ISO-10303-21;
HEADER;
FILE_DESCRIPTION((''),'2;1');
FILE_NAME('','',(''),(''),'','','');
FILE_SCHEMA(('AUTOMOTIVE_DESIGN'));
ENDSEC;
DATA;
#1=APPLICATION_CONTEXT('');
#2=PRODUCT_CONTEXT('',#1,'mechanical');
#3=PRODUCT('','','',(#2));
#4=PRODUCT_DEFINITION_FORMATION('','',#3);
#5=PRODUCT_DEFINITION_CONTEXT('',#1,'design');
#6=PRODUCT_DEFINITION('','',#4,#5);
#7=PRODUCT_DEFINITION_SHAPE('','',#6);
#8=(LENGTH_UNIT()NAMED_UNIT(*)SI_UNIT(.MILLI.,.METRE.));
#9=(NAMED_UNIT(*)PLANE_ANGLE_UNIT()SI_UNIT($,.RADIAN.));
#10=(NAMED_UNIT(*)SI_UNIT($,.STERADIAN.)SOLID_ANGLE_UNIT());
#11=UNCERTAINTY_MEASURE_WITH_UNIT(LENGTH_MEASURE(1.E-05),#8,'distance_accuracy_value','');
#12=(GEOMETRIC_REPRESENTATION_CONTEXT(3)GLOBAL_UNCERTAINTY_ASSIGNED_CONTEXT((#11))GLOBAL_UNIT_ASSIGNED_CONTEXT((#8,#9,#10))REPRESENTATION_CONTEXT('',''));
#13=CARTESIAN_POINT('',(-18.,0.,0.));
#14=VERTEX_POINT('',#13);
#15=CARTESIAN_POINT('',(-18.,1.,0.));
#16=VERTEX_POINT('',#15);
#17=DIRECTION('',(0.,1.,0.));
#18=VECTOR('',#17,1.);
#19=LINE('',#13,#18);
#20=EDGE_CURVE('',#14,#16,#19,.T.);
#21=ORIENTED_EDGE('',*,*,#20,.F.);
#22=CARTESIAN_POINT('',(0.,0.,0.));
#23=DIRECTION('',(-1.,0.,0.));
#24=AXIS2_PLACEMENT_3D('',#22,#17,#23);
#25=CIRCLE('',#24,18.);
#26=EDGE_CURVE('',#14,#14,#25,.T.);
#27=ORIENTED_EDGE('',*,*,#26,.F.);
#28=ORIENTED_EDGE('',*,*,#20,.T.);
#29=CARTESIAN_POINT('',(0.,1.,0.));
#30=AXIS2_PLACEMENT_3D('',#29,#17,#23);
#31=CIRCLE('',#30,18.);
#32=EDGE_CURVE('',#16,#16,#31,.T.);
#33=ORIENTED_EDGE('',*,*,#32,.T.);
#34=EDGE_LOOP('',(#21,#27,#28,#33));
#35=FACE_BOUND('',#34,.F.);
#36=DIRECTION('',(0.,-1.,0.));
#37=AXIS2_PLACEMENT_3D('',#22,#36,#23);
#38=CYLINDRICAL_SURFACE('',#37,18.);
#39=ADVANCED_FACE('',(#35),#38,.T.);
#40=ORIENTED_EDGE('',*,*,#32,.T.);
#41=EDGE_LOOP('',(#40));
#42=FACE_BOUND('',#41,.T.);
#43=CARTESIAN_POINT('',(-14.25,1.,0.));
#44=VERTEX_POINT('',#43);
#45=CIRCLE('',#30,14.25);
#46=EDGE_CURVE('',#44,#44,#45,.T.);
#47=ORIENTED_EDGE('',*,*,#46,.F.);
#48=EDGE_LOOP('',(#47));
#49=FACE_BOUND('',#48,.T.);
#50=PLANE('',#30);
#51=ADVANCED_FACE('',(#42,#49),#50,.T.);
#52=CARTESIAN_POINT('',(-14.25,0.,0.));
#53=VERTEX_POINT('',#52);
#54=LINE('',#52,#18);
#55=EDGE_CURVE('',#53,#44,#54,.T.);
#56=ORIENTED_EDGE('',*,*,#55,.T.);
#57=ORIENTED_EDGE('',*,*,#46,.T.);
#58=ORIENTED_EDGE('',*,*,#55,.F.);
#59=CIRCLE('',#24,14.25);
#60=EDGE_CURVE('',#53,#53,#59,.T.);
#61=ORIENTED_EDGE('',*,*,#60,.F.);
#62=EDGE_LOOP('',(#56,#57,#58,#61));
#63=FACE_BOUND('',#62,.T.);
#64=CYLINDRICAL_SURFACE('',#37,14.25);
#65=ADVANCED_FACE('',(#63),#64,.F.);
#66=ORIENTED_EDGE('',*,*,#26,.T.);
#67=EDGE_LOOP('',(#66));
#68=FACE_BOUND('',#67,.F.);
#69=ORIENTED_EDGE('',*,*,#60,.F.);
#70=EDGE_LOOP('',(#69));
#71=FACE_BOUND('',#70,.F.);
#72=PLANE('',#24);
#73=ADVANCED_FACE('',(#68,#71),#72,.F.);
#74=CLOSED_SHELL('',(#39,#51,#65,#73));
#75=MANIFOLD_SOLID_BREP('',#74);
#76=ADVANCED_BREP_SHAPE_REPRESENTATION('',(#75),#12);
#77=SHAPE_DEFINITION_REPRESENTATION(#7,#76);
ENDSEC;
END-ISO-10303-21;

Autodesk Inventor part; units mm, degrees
ref_plane "YZ Plane" through (0, 0, 0) normal (1, 0, 0) x (0, 1, 0)
ref_plane "XZ Plane" through (0, 0, 0) normal (0, 1, 0) x (-1, 0, 0)
ref_plane "XY Plane" through (0, 0, 0) normal (0, 0, 1) x (1, 0, 0)
sketch "Sketch1" plane through (0, 0, 0) normal (0, 1, 0) x (-1, 0, 0)
  circle A0 centre (0, 0) radius 14.25
  circle A1 centre (0, 0) radius 18
  dimension "d0" = 28.5
  dimension "d1" = 36
extrude "Extrusion1" add sketch "Sketch1" along normal blind 1
properties part number "motor_gear_end"
